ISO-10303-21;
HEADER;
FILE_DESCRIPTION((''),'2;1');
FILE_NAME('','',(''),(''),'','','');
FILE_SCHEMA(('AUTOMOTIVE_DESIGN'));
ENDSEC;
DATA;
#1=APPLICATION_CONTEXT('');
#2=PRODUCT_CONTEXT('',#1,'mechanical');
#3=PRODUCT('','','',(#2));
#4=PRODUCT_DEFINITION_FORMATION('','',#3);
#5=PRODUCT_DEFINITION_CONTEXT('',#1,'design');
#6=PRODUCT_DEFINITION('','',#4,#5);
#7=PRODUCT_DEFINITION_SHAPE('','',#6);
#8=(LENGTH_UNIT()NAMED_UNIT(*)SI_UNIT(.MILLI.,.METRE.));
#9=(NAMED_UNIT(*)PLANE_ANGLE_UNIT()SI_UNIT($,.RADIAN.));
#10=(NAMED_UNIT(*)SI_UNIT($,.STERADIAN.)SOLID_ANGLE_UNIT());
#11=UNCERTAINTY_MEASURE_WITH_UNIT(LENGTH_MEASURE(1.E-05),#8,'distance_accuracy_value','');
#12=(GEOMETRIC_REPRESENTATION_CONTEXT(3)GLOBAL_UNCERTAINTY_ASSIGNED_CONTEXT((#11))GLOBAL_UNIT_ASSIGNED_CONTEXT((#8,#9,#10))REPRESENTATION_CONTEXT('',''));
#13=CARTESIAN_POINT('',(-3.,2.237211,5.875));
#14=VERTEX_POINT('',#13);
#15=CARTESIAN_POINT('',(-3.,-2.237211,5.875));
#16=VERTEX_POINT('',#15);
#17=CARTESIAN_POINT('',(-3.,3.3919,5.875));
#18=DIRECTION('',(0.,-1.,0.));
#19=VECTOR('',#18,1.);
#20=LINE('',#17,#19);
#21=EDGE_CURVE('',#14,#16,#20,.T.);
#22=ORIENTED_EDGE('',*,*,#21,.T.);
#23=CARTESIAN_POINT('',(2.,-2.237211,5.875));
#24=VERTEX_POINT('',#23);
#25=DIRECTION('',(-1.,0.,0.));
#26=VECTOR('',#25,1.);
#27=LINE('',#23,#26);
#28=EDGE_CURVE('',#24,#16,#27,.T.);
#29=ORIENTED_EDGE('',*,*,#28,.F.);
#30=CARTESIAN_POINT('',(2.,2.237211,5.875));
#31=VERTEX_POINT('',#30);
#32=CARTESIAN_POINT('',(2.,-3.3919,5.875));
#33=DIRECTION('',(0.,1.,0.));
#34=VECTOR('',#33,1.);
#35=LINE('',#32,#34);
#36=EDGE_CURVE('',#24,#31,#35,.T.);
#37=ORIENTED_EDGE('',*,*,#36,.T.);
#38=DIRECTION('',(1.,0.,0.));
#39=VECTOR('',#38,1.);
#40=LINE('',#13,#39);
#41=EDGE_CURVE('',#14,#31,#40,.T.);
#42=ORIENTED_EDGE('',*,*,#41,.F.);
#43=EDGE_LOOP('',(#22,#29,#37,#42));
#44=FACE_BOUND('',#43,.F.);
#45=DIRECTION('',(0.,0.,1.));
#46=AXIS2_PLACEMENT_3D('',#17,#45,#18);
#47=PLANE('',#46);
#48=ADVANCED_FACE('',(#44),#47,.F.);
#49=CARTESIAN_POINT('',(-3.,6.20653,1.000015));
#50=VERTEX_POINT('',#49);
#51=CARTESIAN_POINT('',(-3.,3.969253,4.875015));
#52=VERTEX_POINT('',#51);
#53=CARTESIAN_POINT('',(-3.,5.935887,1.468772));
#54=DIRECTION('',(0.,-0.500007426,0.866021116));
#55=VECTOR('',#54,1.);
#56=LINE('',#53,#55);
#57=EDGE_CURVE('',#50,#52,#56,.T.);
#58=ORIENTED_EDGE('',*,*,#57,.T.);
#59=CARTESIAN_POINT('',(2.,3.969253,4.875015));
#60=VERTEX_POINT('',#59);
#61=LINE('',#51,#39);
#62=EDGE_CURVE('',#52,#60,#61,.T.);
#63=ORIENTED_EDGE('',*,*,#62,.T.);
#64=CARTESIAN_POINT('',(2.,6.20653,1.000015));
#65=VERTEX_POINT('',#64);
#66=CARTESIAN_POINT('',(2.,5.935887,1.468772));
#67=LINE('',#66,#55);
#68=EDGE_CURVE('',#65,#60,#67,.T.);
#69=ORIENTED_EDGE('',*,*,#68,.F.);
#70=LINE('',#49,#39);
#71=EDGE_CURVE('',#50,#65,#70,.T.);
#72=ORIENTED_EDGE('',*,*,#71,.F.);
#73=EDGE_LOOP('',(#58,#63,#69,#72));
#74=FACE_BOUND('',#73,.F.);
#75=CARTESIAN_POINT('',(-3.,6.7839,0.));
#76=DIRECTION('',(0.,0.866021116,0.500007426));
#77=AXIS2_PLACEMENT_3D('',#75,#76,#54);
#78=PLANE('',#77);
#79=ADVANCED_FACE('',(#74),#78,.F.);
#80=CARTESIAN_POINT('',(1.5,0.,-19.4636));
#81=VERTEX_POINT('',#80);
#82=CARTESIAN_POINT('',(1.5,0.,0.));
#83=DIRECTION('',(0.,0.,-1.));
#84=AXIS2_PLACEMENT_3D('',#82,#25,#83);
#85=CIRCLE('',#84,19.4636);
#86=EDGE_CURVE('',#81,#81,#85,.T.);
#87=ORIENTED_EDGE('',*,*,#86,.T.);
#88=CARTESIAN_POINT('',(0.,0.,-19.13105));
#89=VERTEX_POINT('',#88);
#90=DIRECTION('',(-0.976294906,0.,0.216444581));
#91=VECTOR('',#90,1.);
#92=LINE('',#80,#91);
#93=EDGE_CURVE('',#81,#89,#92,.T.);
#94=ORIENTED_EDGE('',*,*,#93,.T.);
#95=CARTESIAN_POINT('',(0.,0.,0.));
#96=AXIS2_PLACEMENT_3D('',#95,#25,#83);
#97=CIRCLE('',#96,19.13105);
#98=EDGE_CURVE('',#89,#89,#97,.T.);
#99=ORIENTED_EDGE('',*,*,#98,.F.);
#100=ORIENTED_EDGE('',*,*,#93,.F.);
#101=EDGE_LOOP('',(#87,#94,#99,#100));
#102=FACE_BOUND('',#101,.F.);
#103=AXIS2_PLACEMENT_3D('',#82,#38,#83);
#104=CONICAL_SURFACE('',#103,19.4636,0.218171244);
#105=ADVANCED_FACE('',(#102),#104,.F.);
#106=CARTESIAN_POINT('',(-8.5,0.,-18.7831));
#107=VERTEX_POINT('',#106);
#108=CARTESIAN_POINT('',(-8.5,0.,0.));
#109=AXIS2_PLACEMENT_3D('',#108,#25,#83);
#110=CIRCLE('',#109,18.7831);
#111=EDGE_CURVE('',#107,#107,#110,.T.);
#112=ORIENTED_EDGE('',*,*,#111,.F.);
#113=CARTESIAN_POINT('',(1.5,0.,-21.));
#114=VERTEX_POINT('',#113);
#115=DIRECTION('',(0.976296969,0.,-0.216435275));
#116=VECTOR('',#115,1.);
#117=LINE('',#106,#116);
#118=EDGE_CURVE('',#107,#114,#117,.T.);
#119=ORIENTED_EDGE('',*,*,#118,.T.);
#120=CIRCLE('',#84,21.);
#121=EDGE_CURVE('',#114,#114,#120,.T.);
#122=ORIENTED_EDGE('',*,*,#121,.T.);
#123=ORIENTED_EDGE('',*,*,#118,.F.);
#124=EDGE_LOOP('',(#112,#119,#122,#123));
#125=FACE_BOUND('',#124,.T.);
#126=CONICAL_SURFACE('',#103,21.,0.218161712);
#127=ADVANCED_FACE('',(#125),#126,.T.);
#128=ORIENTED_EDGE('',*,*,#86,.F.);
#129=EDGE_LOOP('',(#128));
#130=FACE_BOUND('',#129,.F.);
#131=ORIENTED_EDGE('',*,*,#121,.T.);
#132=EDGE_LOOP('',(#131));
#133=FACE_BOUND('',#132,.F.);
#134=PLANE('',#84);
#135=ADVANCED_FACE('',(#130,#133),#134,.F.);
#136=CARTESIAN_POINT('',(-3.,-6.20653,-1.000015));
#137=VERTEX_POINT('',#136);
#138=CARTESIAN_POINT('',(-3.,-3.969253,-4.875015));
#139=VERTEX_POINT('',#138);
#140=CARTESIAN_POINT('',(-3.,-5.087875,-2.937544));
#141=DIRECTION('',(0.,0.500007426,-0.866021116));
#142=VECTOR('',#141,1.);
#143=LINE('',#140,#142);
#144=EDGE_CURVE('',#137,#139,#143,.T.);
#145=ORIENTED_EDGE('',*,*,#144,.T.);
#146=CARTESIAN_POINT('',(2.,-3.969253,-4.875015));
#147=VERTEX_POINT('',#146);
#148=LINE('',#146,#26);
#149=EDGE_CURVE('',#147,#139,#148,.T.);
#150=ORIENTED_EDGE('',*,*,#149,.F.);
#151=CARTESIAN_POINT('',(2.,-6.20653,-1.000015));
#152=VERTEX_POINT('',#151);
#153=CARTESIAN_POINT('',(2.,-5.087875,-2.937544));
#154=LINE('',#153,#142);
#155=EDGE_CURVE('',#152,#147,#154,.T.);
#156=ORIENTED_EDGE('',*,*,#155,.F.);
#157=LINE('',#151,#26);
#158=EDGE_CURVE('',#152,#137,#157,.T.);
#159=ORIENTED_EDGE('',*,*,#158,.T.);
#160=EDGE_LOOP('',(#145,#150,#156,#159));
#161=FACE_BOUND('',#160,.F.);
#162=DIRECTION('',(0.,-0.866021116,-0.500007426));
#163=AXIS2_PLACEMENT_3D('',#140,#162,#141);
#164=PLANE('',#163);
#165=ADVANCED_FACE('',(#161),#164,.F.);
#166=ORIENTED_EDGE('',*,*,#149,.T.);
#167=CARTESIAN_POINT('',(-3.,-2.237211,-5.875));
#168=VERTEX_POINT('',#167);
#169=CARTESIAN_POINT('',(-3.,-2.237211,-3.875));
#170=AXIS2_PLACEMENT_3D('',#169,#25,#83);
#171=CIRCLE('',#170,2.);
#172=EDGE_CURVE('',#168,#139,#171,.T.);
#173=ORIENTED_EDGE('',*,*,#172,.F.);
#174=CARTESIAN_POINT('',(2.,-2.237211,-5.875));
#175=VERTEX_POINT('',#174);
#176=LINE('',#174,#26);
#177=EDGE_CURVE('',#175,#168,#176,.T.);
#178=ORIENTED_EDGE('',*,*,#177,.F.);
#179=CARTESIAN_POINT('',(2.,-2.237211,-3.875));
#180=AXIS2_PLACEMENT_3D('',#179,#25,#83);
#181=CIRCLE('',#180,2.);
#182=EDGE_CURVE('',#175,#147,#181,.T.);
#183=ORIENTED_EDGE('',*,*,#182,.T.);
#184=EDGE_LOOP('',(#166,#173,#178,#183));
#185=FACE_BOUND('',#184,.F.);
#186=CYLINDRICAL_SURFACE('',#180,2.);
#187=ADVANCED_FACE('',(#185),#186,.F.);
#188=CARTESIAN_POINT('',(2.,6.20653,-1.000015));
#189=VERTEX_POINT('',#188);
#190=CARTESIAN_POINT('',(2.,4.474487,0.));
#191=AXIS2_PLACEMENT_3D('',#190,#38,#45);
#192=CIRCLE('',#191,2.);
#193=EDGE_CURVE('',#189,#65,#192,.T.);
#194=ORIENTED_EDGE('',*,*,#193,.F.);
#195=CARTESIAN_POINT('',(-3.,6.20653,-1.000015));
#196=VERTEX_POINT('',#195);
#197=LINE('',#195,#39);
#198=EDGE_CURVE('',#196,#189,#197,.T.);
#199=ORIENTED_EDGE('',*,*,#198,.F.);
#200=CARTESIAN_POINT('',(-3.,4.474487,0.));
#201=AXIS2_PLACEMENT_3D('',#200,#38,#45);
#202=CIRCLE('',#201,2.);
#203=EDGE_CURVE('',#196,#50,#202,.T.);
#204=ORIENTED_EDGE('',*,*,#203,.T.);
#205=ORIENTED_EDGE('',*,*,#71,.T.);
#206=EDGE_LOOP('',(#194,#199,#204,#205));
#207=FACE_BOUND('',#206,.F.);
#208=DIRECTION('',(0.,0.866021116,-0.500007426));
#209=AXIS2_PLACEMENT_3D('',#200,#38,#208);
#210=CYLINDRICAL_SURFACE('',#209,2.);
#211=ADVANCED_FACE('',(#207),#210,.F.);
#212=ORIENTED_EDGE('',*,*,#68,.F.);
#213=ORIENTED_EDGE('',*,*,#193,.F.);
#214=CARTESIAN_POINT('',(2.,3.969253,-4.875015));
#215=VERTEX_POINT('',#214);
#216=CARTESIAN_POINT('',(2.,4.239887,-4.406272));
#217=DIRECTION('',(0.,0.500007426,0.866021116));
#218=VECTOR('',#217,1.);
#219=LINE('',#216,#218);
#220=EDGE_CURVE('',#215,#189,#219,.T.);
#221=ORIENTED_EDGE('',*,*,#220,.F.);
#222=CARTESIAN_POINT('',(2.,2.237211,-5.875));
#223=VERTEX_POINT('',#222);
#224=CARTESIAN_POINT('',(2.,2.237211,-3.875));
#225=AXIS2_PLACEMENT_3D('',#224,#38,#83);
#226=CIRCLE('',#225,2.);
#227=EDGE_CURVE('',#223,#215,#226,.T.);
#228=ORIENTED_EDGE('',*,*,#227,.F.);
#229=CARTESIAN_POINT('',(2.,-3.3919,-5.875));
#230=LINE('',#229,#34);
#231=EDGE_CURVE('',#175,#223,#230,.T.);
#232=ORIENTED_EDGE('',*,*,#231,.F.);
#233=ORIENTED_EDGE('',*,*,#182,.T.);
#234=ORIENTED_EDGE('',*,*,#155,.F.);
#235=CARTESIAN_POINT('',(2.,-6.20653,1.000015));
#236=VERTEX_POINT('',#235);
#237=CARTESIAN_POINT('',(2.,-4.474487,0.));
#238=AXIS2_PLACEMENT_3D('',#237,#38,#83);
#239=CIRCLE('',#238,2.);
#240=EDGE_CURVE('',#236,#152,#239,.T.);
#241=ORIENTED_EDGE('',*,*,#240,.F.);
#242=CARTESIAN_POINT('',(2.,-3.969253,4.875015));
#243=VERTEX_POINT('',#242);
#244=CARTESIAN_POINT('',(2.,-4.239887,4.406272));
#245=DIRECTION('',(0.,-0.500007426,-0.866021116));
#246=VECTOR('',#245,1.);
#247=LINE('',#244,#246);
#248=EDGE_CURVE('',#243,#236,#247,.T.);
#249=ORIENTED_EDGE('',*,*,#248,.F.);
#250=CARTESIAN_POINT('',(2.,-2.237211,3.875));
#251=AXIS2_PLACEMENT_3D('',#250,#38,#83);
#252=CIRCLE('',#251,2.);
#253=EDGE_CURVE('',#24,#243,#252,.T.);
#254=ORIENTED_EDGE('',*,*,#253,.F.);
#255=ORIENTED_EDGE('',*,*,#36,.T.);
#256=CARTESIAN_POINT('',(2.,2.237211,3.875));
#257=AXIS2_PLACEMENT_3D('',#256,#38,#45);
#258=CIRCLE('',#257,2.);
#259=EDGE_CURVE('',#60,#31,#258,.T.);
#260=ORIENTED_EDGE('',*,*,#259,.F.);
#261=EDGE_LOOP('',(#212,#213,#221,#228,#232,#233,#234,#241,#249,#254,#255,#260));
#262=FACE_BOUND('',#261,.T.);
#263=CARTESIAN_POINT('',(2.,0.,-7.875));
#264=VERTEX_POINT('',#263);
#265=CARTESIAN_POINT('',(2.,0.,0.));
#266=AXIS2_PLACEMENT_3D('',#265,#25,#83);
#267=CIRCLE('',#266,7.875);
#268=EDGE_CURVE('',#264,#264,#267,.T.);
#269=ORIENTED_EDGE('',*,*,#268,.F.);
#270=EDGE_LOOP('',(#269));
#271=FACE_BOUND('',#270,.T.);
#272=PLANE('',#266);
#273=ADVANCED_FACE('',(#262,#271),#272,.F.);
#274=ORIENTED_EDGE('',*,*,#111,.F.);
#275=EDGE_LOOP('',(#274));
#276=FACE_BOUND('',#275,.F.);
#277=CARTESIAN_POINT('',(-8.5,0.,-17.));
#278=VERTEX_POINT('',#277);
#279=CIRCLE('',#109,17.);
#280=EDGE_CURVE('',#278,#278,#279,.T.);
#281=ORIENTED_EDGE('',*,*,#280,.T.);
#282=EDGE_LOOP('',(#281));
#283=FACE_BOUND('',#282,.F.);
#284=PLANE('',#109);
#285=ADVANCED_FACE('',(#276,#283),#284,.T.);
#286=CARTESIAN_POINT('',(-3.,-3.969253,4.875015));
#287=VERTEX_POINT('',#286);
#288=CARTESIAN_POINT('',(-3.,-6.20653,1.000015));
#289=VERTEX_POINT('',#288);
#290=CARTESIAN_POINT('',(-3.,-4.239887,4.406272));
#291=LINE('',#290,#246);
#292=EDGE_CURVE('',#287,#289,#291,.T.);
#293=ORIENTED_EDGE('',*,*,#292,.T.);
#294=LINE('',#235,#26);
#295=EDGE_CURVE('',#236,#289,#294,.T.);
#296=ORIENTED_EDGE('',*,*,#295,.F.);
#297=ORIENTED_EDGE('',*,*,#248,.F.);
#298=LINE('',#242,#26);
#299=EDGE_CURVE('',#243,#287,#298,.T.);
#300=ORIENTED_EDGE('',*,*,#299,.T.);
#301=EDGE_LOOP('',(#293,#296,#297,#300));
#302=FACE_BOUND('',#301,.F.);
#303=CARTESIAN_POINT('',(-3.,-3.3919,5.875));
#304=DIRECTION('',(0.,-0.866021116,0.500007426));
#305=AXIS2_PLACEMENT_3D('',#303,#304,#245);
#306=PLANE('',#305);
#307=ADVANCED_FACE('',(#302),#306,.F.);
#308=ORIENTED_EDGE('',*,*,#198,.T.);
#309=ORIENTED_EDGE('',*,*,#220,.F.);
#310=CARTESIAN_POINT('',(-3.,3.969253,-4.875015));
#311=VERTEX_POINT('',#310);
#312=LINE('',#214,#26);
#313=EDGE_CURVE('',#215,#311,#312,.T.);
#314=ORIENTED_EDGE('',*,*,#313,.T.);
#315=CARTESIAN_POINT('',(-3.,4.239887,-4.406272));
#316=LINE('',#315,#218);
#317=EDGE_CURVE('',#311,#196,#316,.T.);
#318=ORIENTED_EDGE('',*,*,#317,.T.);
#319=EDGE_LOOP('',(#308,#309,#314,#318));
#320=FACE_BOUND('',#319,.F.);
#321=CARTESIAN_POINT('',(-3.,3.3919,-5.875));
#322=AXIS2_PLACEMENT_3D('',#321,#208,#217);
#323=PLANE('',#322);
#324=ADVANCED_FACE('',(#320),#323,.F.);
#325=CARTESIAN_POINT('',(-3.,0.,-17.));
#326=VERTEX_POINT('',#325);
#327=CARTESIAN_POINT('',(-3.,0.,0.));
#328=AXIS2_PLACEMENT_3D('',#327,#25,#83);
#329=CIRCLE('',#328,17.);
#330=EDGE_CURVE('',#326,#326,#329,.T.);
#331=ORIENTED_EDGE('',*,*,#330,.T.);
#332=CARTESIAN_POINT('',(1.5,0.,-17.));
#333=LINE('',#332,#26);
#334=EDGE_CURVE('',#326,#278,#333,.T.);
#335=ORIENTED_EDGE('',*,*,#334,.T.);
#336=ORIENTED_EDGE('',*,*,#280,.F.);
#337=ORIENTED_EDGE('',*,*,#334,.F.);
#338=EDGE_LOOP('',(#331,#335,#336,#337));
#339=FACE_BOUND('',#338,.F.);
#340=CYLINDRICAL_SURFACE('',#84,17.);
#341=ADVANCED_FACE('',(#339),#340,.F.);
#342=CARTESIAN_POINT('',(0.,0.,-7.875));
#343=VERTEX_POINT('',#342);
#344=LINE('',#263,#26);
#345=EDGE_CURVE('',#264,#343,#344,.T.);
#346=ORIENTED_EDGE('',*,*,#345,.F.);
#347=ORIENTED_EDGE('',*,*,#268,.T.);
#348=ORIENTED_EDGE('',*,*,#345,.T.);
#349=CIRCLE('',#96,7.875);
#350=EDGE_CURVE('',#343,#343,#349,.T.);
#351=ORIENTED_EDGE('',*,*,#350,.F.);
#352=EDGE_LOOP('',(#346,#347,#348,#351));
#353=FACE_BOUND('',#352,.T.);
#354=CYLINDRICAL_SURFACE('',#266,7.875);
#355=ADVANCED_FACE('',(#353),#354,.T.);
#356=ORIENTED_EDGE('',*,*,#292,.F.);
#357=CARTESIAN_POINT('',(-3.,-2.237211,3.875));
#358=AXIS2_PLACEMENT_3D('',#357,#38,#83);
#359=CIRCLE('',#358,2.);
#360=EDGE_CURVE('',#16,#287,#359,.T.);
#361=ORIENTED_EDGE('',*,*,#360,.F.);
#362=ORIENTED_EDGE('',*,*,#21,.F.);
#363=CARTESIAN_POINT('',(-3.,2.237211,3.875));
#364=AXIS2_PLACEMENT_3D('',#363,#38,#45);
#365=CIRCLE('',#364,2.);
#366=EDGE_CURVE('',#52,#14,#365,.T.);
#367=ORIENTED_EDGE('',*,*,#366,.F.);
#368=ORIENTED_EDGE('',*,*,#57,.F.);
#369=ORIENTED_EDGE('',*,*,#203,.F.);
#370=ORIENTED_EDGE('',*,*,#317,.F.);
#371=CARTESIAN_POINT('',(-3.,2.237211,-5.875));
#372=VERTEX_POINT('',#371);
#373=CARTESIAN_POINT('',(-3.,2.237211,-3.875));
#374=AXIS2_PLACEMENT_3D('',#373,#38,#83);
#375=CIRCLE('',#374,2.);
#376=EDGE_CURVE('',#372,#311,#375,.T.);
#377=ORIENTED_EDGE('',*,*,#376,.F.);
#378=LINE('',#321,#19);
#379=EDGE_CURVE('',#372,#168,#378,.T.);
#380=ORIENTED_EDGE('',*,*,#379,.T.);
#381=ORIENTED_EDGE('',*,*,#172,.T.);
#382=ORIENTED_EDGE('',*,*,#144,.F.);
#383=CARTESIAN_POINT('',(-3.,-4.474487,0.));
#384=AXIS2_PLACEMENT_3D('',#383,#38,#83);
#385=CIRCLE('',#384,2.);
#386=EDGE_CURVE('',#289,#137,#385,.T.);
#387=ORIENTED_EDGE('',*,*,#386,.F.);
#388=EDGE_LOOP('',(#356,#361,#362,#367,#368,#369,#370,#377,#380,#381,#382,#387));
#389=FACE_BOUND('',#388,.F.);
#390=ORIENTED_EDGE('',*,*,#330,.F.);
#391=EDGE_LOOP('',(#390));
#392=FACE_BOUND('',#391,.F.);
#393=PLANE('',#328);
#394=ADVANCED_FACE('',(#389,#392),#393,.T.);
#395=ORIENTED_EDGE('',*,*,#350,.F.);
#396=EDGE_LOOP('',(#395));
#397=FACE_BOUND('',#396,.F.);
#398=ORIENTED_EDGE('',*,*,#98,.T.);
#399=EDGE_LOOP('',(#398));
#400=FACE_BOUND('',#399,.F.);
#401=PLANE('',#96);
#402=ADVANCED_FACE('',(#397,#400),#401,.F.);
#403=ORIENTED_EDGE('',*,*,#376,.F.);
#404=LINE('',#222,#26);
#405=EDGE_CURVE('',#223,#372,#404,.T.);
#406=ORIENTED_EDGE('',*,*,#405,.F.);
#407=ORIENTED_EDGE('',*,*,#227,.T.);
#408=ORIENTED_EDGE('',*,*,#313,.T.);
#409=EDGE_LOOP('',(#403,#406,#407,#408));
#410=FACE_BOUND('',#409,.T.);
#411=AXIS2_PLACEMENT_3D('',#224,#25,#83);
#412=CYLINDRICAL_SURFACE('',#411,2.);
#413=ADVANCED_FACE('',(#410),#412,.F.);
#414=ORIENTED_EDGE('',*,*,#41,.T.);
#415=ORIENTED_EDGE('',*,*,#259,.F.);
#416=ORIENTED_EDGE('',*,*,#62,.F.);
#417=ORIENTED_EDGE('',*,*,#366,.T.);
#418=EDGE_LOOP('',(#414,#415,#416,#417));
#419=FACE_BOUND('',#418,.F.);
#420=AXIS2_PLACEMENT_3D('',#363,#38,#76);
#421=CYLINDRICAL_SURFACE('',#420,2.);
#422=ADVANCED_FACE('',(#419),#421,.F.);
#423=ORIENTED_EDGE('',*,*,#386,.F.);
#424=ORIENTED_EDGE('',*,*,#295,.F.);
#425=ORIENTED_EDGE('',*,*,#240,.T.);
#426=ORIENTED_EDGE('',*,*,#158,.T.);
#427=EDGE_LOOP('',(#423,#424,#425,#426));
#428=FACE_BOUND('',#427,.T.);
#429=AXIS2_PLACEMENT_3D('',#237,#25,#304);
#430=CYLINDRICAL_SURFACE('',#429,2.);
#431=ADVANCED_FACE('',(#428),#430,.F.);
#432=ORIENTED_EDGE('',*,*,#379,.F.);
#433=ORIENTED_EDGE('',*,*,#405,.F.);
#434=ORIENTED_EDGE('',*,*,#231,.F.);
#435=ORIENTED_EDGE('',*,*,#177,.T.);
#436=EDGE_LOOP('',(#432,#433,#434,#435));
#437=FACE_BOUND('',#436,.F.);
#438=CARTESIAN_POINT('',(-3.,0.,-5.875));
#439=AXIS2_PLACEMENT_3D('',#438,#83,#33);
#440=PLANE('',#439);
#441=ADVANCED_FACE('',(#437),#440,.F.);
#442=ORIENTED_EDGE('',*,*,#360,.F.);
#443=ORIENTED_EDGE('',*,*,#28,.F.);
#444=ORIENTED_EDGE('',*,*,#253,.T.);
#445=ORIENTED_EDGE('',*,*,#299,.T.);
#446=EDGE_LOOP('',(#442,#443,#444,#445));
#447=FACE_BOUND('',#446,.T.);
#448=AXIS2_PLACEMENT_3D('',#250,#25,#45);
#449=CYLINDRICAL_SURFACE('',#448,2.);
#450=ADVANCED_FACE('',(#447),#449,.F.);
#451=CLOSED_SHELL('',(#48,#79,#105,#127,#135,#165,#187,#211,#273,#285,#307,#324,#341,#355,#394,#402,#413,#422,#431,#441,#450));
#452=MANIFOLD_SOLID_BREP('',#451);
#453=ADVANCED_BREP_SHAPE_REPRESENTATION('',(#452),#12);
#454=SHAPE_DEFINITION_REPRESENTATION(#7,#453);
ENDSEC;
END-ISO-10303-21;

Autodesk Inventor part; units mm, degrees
ref_plane "YZ Plane" through (0, 0, 0) normal (1, 0, 0) x (0, 1, 0)
ref_plane "XZ Plane" through (0, 0, 0) normal (0, 1, 0) x (-1, 0, 0)
ref_plane "XY Plane" through (0, 0, 0) normal (0, 0, 1) x (1, 0, 0)
sketch "Sketch1" plane through (0, 0, 0) normal (0, 1, 0) x (-1, 0, 0)
  line L0 (0, 0) -> (3, 0) construction
  line L1 (3, 0) -> (3, -5.875) construction
  line L2 (3, -5.875) -> (0, -5.875) construction
  line L3 (0, -5.875) -> (0, 0) construction
  line L4 (0, -5.875) -> (3, -5.875)
  line L5 (3, -5.875) -> (3, -23)
  line L6 (3, -23) -> (0, -23)
  line L7 (0, -23) -> (0, -5.875)
  line L8 (8.5, -23) -> (-1.5, -23) construction
  line L9 (-1.5, -23) -> (-1.5, -17)
  line L10 (-1.5, -17) -> (8.5, -17)
  line L11 (8.5, -17) -> (8.5, -23)
  line L12 (-1.5, -21) -> (8.5, -18.7831)
  line L13 (-1.5, -19.4636) -> (8.5, -17.2466)
  line L14 (3, -5.875) -> (5, -5.875)
  line L15 (5, -5.875) -> (5, -9.875)
  line L16 (5, -9.875) -> (3, -9.875)
  line L17 (3, -9.875) -> (3, -5.875)
  line L18 (0, -5.875) -> (-2, -5.875)
  line L19 (-2, -5.875) -> (-2, -7.875)
  line L20 (-2, -7.875) -> (0, -7.875)
  line L21 (0, -7.875) -> (0, -5.875)
  point P0 (3, -17)
  point P1 (0, -17)
  point P2 (0, -19.131)
  point P3 (3, -18.466)
  point P4 (3, -9.875)
  point P5 (0, -7.875)
  dimension "d21" = 3
  dimension "d22" = 5.875
  dimension "d24" = 1.5
  dimension "d25" = 10
  dimension "d26" = 6
  dimension "d27" = 2
  dimension "d29" = 21
  dimension "d30" = 1.5
  dimension "d34" = 2
  dimension "d35" = 4
  dimension "d36" = 2
  dimension "d37" = 2
  dimension "d38" = 12.5
revolve "Revolution1" add sketch "Sketch1" angle 360 about axis through (0, 0, 0) along (-1, 0, 0) contours L4 L5 L10 L7 | L7 L20 L19 L18 | L10 L5 L13 L7 | L10 L11 L13 L5 | L13 L5 L12 L7 | L7 L12 L9 L13 | L13 L11 L12 L5
sketch "Sketch5" plane through (-3, 0, 0) normal (-1, 0, 0) x (0, 0, 1)
  line L0 (0, 0) -> (-5.875, 0) construction
  line L1 (-5.875, 3.3919) -> (0, 6.7839)
  line L2 (0, 6.7839) -> (5.875, 3.3919)
  line L3 (5.875, 3.3919) -> (5.875, -3.3919)
  line L4 (5.875, -3.3919) -> (0, -6.7839)
  line L5 (0, -6.7839) -> (-5.875, -3.3919)
  line L6 (-5.875, -3.3919) -> (-5.875, 3.3919)
  circle A0 centre (0, 0) radius 5.875 projected
  circle A1 centre (0, 0) radius 17 projected
  circle A2 centre (0, 0) radius 5.875 projected
extrude "Extrusion4" cut sketch "Sketch5" along normal through all both and the other way through all contours L1 A0 L6 | L1 L2 A0 | A0 | A0 L5 L6 | L2 L3 A0 | A0 L4 L5 | L3 L4 A0
fillet "Fillet4" radius 2 6 edges at (-0.5, -3.3919, -5.875) (-0.5, 3.3919, -5.875) (-0.5, 6.7839, 0) (-0.5, -6.7839, 0) (-0.5, -3.3919, 5.875) (-0.5, 3.3919, 5.875)
properties part number "Clutch" material "Stainless Steel"
